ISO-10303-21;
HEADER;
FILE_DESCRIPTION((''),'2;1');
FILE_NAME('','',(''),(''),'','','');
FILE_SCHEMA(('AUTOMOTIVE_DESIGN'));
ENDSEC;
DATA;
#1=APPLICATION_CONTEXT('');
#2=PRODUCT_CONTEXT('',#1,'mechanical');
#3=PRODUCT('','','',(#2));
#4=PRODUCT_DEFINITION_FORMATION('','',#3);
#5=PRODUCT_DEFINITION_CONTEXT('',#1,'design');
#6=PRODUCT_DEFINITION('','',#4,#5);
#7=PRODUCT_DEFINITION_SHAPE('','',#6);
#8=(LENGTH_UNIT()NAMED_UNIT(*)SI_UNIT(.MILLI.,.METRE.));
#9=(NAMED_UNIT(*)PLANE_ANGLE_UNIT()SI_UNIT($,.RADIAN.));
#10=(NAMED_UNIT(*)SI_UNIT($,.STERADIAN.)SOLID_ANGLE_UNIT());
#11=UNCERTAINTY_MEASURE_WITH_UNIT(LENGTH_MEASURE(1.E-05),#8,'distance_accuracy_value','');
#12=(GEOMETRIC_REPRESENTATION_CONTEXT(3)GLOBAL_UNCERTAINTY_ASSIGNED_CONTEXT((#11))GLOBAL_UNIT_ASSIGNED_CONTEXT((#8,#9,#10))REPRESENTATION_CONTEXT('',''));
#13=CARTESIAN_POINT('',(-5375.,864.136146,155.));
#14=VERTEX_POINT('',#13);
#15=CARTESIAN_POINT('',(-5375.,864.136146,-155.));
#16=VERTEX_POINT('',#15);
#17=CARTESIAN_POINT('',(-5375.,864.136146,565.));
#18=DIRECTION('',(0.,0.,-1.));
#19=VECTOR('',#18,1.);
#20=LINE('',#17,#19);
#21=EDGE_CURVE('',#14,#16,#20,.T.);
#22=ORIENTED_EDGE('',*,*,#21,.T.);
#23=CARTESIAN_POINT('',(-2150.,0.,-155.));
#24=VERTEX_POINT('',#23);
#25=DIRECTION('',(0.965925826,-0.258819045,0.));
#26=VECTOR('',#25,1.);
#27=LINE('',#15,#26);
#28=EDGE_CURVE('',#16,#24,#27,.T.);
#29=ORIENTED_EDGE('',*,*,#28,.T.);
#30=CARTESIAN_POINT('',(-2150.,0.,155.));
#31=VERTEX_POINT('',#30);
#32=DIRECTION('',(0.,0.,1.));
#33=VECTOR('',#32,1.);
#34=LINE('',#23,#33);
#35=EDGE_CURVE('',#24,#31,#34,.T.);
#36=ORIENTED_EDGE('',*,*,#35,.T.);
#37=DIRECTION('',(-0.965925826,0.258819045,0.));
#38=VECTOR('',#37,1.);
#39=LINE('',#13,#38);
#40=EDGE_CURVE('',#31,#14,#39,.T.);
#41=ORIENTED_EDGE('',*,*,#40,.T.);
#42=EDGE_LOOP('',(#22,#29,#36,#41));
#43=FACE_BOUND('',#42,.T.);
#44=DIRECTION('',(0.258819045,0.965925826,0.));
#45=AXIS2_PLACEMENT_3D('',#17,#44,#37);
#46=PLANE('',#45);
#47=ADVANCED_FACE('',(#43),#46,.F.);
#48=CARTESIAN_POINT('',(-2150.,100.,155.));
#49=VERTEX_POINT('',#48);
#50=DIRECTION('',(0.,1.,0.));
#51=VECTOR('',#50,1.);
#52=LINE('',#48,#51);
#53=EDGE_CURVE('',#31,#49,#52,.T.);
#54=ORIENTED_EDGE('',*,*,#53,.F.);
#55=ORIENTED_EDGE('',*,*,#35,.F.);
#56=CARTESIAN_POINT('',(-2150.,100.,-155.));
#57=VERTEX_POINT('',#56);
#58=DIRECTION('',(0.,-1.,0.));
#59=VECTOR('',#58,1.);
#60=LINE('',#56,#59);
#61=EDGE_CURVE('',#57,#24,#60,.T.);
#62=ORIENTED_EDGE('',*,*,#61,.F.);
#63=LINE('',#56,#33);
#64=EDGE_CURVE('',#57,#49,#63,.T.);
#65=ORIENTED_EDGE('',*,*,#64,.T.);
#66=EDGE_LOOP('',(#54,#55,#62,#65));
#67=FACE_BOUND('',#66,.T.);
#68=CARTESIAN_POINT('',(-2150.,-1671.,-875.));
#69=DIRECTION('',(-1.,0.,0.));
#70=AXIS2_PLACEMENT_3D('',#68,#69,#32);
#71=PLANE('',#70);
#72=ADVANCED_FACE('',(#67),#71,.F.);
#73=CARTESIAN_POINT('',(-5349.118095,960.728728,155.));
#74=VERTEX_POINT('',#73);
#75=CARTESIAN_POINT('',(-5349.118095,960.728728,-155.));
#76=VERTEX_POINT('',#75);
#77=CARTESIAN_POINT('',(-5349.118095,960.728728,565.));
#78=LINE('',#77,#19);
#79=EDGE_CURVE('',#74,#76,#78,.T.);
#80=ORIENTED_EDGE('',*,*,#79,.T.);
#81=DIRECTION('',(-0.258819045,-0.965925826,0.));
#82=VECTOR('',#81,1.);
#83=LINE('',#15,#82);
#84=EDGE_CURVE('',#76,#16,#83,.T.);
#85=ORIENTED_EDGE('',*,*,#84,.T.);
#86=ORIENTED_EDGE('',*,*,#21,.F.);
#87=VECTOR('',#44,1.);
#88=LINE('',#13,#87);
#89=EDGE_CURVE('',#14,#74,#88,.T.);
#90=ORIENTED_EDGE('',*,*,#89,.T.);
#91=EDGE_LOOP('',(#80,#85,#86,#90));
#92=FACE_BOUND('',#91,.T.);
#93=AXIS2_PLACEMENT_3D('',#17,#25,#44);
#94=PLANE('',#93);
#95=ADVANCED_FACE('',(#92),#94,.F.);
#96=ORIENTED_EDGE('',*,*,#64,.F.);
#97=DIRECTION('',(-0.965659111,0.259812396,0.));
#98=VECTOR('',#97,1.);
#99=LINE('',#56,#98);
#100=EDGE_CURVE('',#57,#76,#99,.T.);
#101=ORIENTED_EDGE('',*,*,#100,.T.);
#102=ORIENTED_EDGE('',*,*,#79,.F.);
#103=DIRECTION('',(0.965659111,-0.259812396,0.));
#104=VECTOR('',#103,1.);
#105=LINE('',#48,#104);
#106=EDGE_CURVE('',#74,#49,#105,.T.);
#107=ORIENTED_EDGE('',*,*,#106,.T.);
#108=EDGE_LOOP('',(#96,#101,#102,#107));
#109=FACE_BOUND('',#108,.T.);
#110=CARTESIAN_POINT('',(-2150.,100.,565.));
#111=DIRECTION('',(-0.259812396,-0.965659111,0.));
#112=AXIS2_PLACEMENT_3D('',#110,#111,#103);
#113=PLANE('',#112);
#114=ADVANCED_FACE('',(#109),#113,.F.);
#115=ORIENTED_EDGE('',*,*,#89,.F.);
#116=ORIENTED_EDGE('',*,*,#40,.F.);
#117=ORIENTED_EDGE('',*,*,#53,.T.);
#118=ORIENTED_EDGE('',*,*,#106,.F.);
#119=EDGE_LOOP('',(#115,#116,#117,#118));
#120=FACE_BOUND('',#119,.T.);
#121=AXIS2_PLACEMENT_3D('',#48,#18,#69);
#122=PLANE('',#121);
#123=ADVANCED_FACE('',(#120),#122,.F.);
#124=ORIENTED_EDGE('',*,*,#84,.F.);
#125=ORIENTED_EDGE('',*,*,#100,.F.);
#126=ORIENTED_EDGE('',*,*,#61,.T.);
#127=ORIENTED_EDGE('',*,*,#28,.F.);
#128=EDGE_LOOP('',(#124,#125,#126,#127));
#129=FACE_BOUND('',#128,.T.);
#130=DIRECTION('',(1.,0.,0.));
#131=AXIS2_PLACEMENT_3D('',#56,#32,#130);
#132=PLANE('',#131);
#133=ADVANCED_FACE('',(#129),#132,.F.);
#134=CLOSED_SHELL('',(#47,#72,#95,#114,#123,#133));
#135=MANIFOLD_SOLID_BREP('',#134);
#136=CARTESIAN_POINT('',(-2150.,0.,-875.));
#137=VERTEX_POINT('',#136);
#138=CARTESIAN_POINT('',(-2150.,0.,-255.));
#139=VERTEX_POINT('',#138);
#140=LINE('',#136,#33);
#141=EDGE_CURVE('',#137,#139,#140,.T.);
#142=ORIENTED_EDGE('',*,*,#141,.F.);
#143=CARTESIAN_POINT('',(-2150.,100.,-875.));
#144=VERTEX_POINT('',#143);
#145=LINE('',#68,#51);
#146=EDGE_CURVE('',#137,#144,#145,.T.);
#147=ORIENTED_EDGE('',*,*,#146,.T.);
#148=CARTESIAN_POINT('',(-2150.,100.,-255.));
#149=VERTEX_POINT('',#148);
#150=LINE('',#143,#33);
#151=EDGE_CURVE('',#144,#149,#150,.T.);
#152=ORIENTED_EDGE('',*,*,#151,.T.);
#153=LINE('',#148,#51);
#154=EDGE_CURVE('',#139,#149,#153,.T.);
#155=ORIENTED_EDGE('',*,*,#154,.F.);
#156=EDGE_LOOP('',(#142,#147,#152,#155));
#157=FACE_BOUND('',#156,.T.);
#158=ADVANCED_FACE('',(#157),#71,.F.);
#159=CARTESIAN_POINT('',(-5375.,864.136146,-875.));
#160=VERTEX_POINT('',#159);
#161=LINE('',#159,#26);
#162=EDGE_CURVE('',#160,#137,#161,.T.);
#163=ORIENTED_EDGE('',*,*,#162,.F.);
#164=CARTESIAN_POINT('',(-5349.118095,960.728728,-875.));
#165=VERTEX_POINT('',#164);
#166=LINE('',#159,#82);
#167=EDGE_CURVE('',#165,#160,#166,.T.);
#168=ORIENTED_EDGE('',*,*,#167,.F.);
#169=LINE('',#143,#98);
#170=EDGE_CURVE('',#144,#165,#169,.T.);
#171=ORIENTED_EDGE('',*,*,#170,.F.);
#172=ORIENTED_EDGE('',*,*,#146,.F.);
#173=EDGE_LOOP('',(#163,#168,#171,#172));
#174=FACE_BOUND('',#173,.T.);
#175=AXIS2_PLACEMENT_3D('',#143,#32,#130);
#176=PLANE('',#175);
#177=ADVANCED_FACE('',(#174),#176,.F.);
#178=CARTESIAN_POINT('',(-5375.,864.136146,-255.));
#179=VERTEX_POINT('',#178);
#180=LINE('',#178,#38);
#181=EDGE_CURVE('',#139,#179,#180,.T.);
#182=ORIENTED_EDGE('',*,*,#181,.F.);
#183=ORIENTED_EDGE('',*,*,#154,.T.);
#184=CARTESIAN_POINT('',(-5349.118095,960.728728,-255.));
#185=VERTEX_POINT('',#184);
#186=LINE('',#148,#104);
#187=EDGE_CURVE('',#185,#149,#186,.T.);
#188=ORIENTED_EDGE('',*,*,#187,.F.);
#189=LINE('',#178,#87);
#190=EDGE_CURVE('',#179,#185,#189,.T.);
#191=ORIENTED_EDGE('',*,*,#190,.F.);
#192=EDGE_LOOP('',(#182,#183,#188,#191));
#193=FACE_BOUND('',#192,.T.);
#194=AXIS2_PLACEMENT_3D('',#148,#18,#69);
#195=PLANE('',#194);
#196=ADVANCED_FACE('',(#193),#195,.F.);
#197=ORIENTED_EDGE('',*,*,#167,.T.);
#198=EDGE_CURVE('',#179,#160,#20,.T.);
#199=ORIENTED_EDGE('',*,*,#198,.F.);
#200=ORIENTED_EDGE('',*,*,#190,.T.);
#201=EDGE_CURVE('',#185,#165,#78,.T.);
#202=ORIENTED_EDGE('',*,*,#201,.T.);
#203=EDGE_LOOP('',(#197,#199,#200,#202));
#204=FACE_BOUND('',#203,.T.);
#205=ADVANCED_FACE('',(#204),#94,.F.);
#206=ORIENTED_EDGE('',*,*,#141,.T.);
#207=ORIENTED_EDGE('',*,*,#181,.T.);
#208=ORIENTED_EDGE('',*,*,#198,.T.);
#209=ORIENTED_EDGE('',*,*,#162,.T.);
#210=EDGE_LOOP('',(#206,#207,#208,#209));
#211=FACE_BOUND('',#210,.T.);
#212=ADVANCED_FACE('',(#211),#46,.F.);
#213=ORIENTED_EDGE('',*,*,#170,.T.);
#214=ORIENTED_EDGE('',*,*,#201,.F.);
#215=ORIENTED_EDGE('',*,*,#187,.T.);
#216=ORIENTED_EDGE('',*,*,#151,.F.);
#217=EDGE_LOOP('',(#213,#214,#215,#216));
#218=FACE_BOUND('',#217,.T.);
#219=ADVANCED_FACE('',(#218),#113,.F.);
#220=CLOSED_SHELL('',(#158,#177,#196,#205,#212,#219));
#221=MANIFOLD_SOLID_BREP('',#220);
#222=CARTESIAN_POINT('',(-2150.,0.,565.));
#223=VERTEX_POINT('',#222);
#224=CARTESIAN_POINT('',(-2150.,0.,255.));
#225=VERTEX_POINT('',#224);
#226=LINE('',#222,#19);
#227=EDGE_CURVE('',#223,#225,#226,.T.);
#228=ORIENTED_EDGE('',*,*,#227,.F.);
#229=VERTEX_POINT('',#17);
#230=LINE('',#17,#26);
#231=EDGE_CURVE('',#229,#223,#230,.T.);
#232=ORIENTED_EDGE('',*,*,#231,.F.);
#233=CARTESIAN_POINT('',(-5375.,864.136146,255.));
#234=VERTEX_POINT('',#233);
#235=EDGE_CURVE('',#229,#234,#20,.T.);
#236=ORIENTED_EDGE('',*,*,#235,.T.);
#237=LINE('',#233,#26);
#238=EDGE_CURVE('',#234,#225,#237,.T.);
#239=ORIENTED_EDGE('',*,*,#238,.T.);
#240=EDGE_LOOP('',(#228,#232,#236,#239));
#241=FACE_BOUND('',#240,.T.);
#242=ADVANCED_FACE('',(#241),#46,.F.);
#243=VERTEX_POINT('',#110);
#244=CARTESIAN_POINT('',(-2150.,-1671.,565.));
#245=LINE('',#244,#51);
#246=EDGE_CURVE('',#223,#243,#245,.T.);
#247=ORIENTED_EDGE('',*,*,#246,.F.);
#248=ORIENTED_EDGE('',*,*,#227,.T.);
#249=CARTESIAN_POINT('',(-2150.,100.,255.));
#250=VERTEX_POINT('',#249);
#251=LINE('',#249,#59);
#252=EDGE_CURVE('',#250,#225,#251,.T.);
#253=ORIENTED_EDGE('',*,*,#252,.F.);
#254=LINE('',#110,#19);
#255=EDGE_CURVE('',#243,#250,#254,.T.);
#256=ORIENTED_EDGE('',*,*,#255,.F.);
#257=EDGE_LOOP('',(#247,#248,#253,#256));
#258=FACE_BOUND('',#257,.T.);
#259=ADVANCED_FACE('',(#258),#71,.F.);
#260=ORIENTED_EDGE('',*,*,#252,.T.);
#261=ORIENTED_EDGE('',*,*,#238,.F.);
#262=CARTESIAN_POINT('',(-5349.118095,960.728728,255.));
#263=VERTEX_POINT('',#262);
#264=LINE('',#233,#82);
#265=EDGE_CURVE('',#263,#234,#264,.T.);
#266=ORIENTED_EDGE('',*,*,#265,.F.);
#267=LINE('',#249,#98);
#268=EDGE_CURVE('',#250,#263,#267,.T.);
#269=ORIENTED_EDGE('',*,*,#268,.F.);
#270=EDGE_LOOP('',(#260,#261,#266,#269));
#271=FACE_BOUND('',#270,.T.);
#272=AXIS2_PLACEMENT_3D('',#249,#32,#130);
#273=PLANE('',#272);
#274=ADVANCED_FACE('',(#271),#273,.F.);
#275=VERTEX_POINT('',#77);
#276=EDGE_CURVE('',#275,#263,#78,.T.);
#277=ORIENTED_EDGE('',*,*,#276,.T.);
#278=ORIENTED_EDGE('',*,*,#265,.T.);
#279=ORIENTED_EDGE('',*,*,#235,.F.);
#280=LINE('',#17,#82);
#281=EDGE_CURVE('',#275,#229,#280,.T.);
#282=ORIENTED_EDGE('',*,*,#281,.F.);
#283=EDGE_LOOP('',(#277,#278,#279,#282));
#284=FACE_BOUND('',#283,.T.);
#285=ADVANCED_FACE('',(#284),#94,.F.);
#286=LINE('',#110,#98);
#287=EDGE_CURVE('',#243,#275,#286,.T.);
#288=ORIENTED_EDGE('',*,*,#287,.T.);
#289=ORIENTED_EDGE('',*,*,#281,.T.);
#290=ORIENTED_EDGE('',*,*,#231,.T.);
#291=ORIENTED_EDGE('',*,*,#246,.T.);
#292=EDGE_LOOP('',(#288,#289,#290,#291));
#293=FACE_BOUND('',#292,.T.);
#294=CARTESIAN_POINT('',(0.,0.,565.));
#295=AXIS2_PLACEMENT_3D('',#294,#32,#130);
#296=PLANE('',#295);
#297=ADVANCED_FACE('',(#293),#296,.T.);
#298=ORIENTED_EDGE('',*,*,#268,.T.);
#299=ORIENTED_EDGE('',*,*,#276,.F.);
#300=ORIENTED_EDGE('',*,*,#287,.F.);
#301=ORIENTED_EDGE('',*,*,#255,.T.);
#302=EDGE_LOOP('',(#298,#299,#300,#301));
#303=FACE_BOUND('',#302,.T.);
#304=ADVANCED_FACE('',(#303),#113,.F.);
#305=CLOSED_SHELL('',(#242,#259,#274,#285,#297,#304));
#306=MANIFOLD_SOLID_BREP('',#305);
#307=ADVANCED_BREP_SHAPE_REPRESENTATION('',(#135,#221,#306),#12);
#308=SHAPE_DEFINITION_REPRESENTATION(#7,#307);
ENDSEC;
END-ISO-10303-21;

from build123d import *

# Parameters (mm, degrees)
SKETCH1_W                = 4300
SKETCH1_H                = 620
BOSS_EXTRUDE1_DEPTH      = 100
SKETCH1_H_2              = 310
BOSS_EXTRUDE1_2_DEPTH    = 100
BOSS_EXTRUDE1_3_DEPTH    = 100
BOSS_EXTRUDE2_DEPTH      = 565
BOSS_EXTRUDE2_DEPTH_BACK = 875
CUT_EXTRUDE1_DEPTH       = 5514.356867062
CUT_EXTRUDE1_DEPTH_BACK  = 5514.356867062
SKETCH3_W                = 3725
SKETCH3_H                = 100
BOSS_EXTRUDE3_REACH      = 5531.851
SKETCH4_W                = 100
SKETCH4_H                = 310
SKETCH4_H_2              = 620
SKETCH5_W                = 4300
SKETCH5_H                = 1440
CUT_EXTRUDE2_DEPTH       = 1771


with BuildPart() as part:
    # Sketch1 → Boss-Extrude1 (new body)
    with BuildSketch(Plane(origin=(0, 0, 0), x_dir=(1, 0, 0), z_dir=(0, 1, 0))):
        with Locations((0, 565)):
            Rectangle(SKETCH1_W, SKETCH1_H)
    extrude(amount=BOSS_EXTRUDE1_DEPTH)



with BuildPart() as body_2:
    # Sketch1 → Boss-Extrude1 2 (new body)
    with BuildSketch(Plane(origin=(0, 0, 0), x_dir=(1, 0, 0), z_dir=(0, 1, 0))):
        Rectangle(SKETCH1_W, SKETCH1_H_2)
    extrude(amount=BOSS_EXTRUDE1_2_DEPTH)


with BuildPart() as body_3:
    # Sketch1 → Boss-Extrude1 3 (new body)
    with BuildSketch(Plane(origin=(0, 0, 0), x_dir=(1, 0, 0), z_dir=(0, 1, 0))):
        with Locations((0, -410)):
            Rectangle(SKETCH1_W, SKETCH1_H_2)
    extrude(amount=BOSS_EXTRUDE1_3_DEPTH)


with BuildPart() as part_1:
    add(part.part)

    add(body_2.part)  # Boss-Extrude2 merges body 2

    add(body_3.part)  # Boss-Extrude2 merges body 3
    # Sketch2 → Boss-Extrude2 (add, two sides: drawn at the far end of the back side and taken through both)
    with BuildSketch(Plane.XY.offset(-BOSS_EXTRUDE2_DEPTH_BACK)):
        Polygon((-2150, 100), (-5349.11809549, 960.728728219), (-5375, 864.13614559), (-2150, 0), align=None)
    extrude(amount=BOSS_EXTRUDE2_DEPTH + BOSS_EXTRUDE2_DEPTH_BACK)

    # Sketch3 → Cut-Extrude1 (cut, two sides: drawn at the far end of the back side and taken through both)
    with BuildSketch(Plane(origin=(0, 100, 0), x_dir=(1, 0, 0), z_dir=(0, 1, 0)).offset(-CUT_EXTRUDE1_DEPTH_BACK)):
        with Locations((-4012.5, 205)):
            Rectangle(SKETCH3_W, SKETCH3_H)
        with Locations((-4012.5, -205)):
            Rectangle(SKETCH3_W, SKETCH3_H)
    extrude(amount=CUT_EXTRUDE1_DEPTH + CUT_EXTRUDE1_DEPTH_BACK, mode=Mode.SUBTRACT)


with BuildPart() as cut_extrude1_piece_1:
    # of the separate pieces the step leaves, piece 1, a body of its own (cut_extrude1_pieces)
    add(part_1.part.solids().sort_by_distance((2150, 0, -875))[0])



with BuildPart() as cut_extrude1_piece_2:
    # of the separate pieces the step leaves, piece 2, a body of its own (cut_extrude1_pieces)
    add(part_1.part.solids().sort_by_distance((-5375, 864.13614559, -155))[0])


with BuildPart() as cut_extrude1_piece_3:
    # of the separate pieces the step leaves, piece 3, a body of its own (cut_extrude1_pieces)
    add(part_1.part.solids().sort_by_distance((-5375, 864.13614559, 255))[0])


with BuildPart() as cut_extrude1_piece_1_1:
    add(cut_extrude1_piece_1.part)

    add(cut_extrude1_piece_2.part)  # Boss-Extrude3 merges Cut-Extrude1 piece 2

    add(cut_extrude1_piece_3.part)  # Boss-Extrude3 merges Cut-Extrude1 piece 3
    # Boss-Extrude3: up to this plane
    boss_extrude3_end = Plane(origin=(-3266.534841529, -342.939503471, -3125), z_dir=(0.003352354687718555, 0.9999943808432364, 0))
    # Sketch4 → Boss-Extrude3 (add, up to the surface)
    with BuildSketch(Plane.XZ, mode=Mode.PRIVATE) as boss_extrude3_sk1:
        with Locations((-2100, 410)):
            Rectangle(SKETCH4_W, SKETCH4_H)
    boss_extrude3_tool1 = split(extrude(boss_extrude3_sk1.sketch, amount=BOSS_EXTRUDE3_REACH, mode=Mode.PRIVATE), bisect_by=boss_extrude3_end, keep=Keep.BOTH, mode=Mode.PRIVATE)
    add(boss_extrude3_tool1.solids().sort_by_distance((-2100, 0, 410))[0])
    # Sketch4 → Boss-Extrude3 (add, up to the surface)
    with BuildSketch(Plane.XZ, mode=Mode.PRIVATE) as boss_extrude3_sk2:
        with Locations((-2100, 0)):
            Rectangle(SKETCH4_W, SKETCH4_H)
    boss_extrude3_tool2 = split(extrude(boss_extrude3_sk2.sketch, amount=BOSS_EXTRUDE3_REACH, mode=Mode.PRIVATE), bisect_by=boss_extrude3_end, keep=Keep.BOTH, mode=Mode.PRIVATE)
    add(boss_extrude3_tool2.solids().sort_by_distance((-2100, 0, 0))[0])
    # Sketch4 → Boss-Extrude3 (add, up to the surface)
    with BuildSketch(Plane.XZ, mode=Mode.PRIVATE) as boss_extrude3_sk3:
        with Locations((-2100, -565)):
            Rectangle(SKETCH4_W, SKETCH4_H_2)
    boss_extrude3_tool3 = split(extrude(boss_extrude3_sk3.sketch, amount=BOSS_EXTRUDE3_REACH, mode=Mode.PRIVATE), bisect_by=boss_extrude3_end, keep=Keep.BOTH, mode=Mode.PRIVATE)
    add(boss_extrude3_tool3.solids().sort_by_distance((-2100, 0, -565))[0])
    # Sketch4 → Boss-Extrude3 (add, up to the surface)
    with BuildSketch(Plane.XZ, mode=Mode.PRIVATE) as boss_extrude3_sk4:
        with Locations((2100, 410)):
            Rectangle(SKETCH4_W, SKETCH4_H)
    boss_extrude3_tool4 = split(extrude(boss_extrude3_sk4.sketch, amount=BOSS_EXTRUDE3_REACH, mode=Mode.PRIVATE), bisect_by=boss_extrude3_end, keep=Keep.BOTH, mode=Mode.PRIVATE)
    add(boss_extrude3_tool4.solids().sort_by_distance((2100, 0, 410))[0])
    # Sketch4 → Boss-Extrude3 (add, up to the surface)
    with BuildSketch(Plane.XZ, mode=Mode.PRIVATE) as boss_extrude3_sk5:
        with Locations((2100, 0)):
            Rectangle(SKETCH4_W, SKETCH4_H)
    boss_extrude3_tool5 = split(extrude(boss_extrude3_sk5.sketch, amount=BOSS_EXTRUDE3_REACH, mode=Mode.PRIVATE), bisect_by=boss_extrude3_end, keep=Keep.BOTH, mode=Mode.PRIVATE)
    add(boss_extrude3_tool5.solids().sort_by_distance((2100, 0, 0))[0])
    # Sketch4 → Boss-Extrude3 (add, up to the surface)
    with BuildSketch(Plane.XZ, mode=Mode.PRIVATE) as boss_extrude3_sk6:
        with Locations((2100, -565)):
            Rectangle(SKETCH4_W, SKETCH4_H_2)
    boss_extrude3_tool6 = split(extrude(boss_extrude3_sk6.sketch, amount=BOSS_EXTRUDE3_REACH, mode=Mode.PRIVATE), bisect_by=boss_extrude3_end, keep=Keep.BOTH, mode=Mode.PRIVATE)
    add(boss_extrude3_tool6.solids().sort_by_distance((2100, 0, -565))[0])

    # Sketch5 → Cut-Extrude2 (cut)
    with BuildSketch(Plane(origin=(0, 100, 0), x_dir=(1, 0, 0), z_dir=(0, 1, 0))):
        with Locations((0, 155)):
            Rectangle(SKETCH5_W, SKETCH5_H)
    extrude(amount=-CUT_EXTRUDE2_DEPTH, mode=Mode.SUBTRACT)


solid = cut_extrude1_piece_1_1.part
